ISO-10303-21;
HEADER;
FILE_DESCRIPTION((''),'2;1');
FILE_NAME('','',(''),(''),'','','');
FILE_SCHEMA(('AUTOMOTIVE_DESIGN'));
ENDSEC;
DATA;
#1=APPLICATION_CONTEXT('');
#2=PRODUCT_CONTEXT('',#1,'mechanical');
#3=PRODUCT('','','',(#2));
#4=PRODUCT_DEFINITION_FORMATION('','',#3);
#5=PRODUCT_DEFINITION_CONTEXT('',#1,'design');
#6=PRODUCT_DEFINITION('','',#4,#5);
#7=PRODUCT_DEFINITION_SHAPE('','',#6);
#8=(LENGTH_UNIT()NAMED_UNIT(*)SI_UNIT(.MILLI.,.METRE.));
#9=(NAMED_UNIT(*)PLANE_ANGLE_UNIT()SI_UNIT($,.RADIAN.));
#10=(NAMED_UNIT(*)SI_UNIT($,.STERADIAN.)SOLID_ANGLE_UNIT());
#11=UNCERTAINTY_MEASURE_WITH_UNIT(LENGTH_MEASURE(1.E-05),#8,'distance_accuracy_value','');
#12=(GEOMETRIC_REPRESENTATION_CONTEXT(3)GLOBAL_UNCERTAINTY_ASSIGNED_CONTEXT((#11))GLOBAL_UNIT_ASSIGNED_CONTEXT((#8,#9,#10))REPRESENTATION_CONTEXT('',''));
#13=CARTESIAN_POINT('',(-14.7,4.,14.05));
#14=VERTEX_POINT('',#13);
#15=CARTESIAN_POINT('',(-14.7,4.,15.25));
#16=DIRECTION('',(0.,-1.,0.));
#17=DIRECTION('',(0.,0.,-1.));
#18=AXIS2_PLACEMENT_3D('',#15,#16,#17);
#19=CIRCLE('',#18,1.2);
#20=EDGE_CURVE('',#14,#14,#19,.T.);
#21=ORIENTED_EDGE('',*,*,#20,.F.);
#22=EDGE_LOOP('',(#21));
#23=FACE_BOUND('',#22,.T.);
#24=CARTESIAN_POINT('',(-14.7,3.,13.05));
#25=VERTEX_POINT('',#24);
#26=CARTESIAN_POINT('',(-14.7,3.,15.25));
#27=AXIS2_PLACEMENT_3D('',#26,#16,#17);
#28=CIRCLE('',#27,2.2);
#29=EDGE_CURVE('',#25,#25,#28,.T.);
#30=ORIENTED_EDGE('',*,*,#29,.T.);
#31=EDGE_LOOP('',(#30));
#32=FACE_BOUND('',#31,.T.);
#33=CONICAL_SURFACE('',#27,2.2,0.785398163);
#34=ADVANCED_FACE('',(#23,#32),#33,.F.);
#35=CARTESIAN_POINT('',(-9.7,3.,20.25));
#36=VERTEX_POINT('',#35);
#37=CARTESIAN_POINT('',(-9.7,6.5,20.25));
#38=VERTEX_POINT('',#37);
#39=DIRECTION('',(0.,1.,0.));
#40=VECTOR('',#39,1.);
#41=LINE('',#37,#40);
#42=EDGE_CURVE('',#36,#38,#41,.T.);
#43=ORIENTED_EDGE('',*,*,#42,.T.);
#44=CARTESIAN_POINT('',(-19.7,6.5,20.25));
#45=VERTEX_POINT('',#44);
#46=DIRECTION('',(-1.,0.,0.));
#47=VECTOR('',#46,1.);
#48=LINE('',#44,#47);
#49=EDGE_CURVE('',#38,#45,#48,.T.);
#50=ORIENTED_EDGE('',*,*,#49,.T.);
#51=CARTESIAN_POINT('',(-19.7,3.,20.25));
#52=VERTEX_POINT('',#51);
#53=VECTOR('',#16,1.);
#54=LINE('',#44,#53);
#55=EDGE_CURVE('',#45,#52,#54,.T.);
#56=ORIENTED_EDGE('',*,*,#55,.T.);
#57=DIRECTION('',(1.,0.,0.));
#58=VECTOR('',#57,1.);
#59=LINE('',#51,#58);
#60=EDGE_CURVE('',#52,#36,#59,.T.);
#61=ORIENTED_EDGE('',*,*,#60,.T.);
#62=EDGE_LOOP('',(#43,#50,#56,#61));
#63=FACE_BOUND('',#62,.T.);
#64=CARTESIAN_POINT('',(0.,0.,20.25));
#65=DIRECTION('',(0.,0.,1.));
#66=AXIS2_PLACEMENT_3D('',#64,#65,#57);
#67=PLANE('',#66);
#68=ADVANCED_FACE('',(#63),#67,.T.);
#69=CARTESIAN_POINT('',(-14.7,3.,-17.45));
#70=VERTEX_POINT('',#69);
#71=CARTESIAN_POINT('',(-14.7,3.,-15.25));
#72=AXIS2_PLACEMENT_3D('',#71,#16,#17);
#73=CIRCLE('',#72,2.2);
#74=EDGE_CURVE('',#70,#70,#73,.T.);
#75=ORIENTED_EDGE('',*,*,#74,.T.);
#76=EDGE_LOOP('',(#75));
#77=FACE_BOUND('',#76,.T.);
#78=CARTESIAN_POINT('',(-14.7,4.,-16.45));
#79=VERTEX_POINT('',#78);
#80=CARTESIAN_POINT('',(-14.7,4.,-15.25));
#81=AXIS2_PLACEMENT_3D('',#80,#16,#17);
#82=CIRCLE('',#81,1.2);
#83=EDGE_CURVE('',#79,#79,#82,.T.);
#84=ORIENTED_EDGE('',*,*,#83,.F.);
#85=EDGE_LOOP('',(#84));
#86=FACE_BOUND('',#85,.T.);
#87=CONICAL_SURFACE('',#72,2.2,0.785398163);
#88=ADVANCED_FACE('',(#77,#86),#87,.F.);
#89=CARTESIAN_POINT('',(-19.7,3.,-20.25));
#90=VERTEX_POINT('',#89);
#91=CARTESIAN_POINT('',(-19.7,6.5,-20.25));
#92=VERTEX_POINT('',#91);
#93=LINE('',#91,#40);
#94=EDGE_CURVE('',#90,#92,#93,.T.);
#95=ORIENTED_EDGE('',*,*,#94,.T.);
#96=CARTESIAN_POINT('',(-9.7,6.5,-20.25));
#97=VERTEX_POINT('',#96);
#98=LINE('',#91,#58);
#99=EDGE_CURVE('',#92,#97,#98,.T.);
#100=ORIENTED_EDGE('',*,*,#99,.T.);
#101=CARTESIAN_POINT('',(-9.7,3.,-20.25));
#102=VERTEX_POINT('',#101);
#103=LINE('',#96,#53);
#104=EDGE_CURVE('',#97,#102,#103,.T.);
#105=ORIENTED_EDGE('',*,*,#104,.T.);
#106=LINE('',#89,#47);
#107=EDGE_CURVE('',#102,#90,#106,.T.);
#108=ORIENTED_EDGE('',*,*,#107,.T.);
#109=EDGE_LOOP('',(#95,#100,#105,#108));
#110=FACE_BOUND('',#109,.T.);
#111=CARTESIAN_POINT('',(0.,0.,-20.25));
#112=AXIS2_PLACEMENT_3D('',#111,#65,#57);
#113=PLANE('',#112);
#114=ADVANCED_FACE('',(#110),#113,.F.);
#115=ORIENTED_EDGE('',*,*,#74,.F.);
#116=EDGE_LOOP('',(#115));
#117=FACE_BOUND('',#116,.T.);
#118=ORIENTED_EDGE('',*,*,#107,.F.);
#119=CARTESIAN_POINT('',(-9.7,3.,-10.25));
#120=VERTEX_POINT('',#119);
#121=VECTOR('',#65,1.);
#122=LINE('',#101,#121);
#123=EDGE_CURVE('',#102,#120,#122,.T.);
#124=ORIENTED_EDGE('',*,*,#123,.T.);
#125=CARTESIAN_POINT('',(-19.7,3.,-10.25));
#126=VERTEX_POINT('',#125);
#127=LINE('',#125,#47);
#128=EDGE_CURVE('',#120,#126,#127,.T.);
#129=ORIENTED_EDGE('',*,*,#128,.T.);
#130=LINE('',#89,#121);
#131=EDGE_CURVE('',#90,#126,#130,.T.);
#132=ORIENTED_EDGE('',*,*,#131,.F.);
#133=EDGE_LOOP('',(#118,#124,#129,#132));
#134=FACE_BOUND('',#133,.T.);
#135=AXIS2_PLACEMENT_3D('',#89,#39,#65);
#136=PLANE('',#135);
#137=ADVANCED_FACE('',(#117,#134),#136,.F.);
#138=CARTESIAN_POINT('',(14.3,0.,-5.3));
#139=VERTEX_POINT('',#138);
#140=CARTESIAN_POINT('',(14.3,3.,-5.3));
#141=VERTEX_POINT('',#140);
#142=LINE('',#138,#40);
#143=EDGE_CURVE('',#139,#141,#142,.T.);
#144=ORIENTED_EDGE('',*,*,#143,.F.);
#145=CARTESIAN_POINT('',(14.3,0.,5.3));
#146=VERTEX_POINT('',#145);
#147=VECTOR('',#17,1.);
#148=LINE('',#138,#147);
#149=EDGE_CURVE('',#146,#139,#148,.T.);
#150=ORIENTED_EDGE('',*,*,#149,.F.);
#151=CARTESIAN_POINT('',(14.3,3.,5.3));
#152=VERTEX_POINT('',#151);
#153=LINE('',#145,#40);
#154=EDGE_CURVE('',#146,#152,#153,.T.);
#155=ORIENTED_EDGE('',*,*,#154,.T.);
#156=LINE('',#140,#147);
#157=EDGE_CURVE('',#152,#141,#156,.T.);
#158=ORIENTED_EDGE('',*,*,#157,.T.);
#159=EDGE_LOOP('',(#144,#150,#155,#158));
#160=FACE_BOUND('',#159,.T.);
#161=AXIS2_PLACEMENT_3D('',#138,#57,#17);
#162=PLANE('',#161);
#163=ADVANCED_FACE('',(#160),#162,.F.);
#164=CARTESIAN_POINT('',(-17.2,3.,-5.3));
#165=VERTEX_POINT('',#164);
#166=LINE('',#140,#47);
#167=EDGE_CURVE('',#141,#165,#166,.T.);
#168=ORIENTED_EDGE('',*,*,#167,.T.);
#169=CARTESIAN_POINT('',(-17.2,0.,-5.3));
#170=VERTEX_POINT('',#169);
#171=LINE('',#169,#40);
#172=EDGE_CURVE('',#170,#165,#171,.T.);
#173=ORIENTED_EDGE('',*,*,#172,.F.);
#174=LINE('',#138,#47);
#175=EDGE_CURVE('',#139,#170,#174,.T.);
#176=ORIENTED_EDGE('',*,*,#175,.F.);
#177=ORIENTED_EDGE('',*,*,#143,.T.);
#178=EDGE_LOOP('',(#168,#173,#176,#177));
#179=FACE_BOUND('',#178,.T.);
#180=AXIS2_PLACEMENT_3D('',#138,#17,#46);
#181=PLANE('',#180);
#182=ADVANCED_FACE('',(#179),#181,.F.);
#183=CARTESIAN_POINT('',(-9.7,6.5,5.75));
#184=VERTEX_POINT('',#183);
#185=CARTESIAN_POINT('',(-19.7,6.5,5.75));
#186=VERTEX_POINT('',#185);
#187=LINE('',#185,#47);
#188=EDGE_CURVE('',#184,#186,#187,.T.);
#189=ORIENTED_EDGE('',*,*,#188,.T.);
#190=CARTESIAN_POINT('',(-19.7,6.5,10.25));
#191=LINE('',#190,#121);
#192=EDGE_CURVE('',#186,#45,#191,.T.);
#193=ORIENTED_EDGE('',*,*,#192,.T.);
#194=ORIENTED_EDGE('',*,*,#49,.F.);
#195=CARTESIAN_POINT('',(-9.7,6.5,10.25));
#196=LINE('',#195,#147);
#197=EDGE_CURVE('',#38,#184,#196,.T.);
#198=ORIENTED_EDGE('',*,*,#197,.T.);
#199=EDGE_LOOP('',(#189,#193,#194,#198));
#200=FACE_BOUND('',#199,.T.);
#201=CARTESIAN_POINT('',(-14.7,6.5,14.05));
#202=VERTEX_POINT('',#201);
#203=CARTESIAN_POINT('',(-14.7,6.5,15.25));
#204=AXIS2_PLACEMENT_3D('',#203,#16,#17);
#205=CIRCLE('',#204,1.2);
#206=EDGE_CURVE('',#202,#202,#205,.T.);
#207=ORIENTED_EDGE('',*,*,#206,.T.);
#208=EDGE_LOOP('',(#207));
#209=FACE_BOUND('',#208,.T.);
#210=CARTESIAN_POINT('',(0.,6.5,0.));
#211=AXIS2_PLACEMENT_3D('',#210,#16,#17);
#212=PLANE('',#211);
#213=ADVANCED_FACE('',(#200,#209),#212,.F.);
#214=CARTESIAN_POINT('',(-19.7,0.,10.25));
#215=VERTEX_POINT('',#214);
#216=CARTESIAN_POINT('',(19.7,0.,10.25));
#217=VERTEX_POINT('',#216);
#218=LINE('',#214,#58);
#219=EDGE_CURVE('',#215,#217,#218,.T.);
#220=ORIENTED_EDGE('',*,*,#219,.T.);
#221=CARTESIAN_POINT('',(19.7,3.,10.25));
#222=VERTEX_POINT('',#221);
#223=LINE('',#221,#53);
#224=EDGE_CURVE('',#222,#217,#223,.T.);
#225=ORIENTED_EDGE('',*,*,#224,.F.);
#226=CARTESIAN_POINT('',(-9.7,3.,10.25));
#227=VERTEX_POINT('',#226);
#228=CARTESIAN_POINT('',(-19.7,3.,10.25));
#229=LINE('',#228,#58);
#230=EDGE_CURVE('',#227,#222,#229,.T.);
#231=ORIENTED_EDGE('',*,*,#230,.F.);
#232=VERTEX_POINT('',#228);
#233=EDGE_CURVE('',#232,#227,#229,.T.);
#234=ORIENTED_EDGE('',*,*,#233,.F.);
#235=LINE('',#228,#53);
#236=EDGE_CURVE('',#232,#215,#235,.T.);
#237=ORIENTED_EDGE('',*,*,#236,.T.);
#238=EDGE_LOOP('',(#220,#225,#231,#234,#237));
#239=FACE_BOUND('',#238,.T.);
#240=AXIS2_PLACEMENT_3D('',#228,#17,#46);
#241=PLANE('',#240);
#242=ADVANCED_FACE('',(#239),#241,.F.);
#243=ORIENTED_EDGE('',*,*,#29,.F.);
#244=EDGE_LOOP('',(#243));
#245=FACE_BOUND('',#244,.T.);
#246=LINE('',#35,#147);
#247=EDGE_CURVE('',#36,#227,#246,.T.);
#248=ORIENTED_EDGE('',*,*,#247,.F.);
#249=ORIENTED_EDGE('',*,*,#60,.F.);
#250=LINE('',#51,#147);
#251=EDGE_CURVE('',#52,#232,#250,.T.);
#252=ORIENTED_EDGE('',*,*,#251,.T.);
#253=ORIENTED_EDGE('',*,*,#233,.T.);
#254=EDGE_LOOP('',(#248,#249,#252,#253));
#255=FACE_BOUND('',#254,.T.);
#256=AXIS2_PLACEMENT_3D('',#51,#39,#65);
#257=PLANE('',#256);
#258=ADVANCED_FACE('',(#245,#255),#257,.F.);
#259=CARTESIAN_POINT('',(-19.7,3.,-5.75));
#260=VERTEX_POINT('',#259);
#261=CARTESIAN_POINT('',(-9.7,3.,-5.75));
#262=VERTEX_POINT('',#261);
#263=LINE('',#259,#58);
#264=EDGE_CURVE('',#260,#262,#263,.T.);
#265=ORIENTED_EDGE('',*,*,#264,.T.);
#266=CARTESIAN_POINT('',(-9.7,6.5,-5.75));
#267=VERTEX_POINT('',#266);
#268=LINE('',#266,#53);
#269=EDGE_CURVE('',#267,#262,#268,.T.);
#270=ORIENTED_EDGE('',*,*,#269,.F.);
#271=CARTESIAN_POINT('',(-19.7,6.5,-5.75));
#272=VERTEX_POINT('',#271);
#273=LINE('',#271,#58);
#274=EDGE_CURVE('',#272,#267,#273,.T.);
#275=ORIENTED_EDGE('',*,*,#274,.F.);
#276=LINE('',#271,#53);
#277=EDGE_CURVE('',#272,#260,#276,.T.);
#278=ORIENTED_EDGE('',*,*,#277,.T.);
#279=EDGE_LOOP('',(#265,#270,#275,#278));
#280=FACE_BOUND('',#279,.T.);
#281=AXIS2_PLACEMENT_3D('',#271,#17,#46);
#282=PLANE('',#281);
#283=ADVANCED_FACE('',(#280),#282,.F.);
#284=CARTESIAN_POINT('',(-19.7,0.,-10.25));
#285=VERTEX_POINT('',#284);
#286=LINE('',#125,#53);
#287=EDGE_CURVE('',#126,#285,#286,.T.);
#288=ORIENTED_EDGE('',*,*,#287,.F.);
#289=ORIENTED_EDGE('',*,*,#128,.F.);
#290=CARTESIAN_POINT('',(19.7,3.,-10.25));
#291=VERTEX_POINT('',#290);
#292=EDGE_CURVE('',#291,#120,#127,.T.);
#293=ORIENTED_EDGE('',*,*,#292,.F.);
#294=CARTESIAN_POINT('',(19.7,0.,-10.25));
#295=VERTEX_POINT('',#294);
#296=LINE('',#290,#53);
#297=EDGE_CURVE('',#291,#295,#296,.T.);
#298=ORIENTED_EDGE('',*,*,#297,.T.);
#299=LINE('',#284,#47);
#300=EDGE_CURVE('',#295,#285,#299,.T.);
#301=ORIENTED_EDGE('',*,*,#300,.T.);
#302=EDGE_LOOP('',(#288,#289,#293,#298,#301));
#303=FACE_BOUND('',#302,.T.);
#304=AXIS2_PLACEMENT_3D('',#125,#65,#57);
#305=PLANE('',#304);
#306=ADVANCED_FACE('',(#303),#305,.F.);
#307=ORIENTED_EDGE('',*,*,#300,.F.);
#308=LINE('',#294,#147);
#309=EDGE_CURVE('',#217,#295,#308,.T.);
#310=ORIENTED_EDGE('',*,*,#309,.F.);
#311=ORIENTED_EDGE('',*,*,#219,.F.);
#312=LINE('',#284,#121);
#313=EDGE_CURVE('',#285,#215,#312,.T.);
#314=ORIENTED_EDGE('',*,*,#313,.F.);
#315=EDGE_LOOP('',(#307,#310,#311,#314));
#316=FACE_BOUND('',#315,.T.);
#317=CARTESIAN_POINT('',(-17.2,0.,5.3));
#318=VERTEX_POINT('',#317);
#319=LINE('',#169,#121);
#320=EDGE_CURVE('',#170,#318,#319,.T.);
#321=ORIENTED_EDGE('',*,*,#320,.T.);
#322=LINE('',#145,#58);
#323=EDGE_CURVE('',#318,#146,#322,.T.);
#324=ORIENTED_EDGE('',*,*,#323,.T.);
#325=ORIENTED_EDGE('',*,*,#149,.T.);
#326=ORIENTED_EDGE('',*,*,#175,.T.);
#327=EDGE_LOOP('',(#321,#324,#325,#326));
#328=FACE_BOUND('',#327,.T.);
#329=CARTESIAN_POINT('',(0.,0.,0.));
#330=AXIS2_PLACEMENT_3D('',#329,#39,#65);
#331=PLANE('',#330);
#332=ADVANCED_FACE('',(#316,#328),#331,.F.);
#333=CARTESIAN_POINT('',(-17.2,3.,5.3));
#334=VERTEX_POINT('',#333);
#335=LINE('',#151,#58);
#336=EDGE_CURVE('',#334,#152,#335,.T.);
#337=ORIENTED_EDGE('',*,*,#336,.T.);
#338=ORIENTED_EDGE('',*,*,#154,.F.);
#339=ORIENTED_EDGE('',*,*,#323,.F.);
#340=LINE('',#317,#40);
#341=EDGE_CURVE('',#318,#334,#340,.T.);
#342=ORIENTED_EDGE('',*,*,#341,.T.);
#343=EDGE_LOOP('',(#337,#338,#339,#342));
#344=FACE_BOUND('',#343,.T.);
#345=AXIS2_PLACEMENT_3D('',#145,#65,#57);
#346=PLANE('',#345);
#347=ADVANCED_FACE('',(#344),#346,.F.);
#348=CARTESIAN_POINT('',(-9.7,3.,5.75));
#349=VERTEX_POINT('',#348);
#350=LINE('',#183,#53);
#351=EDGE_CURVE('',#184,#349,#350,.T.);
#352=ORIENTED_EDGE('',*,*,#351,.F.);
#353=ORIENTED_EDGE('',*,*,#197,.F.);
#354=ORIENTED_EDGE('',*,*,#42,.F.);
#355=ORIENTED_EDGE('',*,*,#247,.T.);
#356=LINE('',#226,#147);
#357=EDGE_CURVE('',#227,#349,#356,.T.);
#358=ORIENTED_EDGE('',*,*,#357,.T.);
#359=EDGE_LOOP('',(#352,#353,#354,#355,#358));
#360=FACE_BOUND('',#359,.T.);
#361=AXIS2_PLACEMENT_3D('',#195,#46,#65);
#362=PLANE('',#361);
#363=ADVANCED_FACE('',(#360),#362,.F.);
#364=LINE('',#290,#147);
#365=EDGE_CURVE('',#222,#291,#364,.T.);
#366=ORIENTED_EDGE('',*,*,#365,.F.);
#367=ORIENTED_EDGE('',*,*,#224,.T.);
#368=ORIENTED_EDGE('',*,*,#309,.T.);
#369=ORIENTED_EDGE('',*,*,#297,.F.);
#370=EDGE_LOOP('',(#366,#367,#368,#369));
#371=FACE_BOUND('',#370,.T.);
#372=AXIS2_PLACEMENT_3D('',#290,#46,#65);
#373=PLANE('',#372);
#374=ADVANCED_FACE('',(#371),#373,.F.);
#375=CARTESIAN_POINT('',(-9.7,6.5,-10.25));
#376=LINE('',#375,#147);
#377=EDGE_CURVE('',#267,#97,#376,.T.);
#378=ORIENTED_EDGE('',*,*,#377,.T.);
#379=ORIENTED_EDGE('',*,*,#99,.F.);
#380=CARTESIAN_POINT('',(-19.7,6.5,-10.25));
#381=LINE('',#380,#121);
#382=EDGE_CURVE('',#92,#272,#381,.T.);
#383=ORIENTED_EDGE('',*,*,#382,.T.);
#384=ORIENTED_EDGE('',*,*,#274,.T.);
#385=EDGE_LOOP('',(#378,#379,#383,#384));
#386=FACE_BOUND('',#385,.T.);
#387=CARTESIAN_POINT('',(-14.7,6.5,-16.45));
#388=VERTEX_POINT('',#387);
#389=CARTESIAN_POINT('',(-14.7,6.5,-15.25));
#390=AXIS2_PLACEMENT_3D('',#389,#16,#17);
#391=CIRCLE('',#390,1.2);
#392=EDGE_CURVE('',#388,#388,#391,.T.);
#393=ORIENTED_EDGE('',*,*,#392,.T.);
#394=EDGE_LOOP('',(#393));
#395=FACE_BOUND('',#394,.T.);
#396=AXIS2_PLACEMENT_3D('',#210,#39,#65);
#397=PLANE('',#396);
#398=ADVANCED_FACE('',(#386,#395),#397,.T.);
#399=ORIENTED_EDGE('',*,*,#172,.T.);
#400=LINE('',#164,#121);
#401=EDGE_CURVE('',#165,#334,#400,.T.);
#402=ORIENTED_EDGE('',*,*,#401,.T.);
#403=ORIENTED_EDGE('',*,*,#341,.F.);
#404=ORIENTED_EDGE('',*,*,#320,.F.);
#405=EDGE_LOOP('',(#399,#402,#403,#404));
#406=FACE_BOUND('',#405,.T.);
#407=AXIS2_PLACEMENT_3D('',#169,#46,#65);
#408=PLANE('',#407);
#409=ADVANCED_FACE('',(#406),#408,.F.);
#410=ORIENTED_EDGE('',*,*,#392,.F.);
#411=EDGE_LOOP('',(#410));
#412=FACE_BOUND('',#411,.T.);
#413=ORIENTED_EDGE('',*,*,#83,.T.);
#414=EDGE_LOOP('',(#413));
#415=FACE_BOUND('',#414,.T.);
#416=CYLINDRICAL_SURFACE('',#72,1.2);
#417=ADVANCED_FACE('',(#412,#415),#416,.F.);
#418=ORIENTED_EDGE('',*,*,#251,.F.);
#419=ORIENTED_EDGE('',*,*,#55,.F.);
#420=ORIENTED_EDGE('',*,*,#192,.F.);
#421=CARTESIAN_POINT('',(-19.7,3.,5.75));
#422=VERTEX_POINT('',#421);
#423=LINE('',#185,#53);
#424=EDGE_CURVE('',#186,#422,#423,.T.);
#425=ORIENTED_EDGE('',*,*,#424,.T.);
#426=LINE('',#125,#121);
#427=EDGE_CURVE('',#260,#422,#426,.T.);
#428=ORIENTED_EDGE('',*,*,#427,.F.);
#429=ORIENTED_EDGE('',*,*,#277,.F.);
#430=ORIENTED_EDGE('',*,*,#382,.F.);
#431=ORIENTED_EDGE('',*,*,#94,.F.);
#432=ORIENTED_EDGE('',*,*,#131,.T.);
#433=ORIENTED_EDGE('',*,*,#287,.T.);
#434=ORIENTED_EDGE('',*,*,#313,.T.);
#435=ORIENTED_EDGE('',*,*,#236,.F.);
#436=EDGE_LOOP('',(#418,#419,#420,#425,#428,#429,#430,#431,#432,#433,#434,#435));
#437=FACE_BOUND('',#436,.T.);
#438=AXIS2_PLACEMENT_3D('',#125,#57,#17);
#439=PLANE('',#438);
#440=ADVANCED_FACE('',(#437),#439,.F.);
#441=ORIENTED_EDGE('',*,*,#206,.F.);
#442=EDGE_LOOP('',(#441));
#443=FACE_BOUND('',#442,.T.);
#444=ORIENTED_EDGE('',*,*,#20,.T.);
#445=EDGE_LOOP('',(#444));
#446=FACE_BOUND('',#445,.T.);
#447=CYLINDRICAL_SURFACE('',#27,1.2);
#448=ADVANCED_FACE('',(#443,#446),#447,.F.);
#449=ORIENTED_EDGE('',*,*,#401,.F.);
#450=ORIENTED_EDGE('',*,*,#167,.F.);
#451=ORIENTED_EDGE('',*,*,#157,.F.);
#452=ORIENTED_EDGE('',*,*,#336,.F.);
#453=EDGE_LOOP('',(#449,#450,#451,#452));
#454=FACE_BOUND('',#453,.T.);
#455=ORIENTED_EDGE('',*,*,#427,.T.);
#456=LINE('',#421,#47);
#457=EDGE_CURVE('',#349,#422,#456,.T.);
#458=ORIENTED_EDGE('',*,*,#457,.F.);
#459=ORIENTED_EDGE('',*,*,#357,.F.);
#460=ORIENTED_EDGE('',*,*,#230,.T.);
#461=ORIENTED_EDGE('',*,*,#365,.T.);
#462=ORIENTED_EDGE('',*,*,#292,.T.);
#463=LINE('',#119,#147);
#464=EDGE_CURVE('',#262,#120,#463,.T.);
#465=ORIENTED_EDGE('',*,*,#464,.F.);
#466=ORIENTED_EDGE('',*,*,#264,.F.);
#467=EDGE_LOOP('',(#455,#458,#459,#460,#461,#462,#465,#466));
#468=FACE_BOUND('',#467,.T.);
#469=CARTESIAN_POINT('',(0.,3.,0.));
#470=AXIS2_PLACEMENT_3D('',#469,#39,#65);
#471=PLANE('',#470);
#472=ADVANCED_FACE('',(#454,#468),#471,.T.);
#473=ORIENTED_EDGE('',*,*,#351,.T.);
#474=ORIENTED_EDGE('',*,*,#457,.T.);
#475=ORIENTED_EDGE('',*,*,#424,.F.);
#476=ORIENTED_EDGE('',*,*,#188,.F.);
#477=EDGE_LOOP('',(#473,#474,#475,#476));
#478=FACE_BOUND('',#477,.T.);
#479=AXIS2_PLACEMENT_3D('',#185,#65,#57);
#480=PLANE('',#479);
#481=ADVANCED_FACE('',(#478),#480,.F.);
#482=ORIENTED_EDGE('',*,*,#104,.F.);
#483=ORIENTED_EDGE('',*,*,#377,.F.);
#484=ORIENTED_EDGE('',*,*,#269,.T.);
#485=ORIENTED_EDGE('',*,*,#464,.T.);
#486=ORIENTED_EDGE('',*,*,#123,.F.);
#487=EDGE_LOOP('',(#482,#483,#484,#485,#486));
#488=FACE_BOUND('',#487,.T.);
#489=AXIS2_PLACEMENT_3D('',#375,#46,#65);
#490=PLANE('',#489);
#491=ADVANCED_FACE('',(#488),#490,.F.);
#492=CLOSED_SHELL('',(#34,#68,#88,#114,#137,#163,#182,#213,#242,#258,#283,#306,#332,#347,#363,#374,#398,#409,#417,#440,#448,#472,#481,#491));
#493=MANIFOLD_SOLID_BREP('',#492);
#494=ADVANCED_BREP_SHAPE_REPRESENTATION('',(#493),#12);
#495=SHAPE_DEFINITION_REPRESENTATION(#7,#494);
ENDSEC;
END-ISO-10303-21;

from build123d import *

# Parameters (mm, degrees)
SKETCH1_W                                       = 39.4
SKETCH1_H                                       = 20.5
BOSS_EXTRUDE1_DEPTH                             = 3
SKETCH3_W                                       = 28.6
SKETCH3_H                                       = 10.6
CUT_EXTRUDE1_DEPTH                              = 3
SKETCH4_W                                       = 10
SKETCH4_H                                       = 4.5
BOSS_EXTRUDE2_DEPTH                             = 3.5
SKETCH5_W                                       = 10
SKETCH5_H                                       = 3.5
BOSS_EXTRUDE3_DEPTH                             = 10
SKETCH6_W                                       = 10
SKETCH6_H                                       = 3.5
BOSS_EXTRUDE4_DEPTH                             = 10
CSK_FOR_M2_FLAT_HEAD_MACHINE_SCREW1_D           = 2.4
CSK_FOR_M2_FLAT_HEAD_MACHINE_SCREW1_CSINK_D     = 4.4
CSK_FOR_M2_FLAT_HEAD_MACHINE_SCREW1_CSINK_ANGLE = 90
CSK_FOR_M2_FLAT_HEAD_MACHINE_SCREW2_D           = 2.4
CSK_FOR_M2_FLAT_HEAD_MACHINE_SCREW2_CSINK_D     = 4.4
CSK_FOR_M2_FLAT_HEAD_MACHINE_SCREW2_CSINK_ANGLE = 90
SKETCH16_W                                      = 2.9
SKETCH16_H                                      = 10.6
CUT_EXTRUDE2_DEPTH                              = 3


with BuildPart() as part:
    # Sketch1 → Boss-Extrude1 (new body)
    with BuildSketch(Plane(origin=(0, 0, 0), x_dir=(1, 0, 0), z_dir=(0, 1, 0))):
        Rectangle(SKETCH1_W, SKETCH1_H)
    extrude(amount=BOSS_EXTRUDE1_DEPTH)

    # Sketch3 → Cut-Extrude1 (cut)
    with BuildSketch(Plane(origin=(0, 3, 0), x_dir=(1, 0, 0), z_dir=(0, 1, 0))):
        Rectangle(SKETCH3_W, SKETCH3_H)
    extrude(amount=-CUT_EXTRUDE1_DEPTH, mode=Mode.SUBTRACT)

    # Sketch4 → Boss-Extrude2 (add)
    with BuildSketch(Plane(origin=(0, 3, 0), x_dir=(1, 0, 0), z_dir=(0, 1, 0))):
        with Locations((-14.7, 8)):
            Rectangle(SKETCH4_W, SKETCH4_H)
        with Locations((-14.7, -8)):
            Rectangle(SKETCH4_W, SKETCH4_H)
    extrude(amount=BOSS_EXTRUDE2_DEPTH)

    # Sketch5 → Boss-Extrude3 (add)
    with BuildSketch(Plane.XY.offset(10.25)):
        with Locations((-14.7, 4.75)):
            Rectangle(SKETCH5_W, SKETCH5_H)
    extrude(amount=BOSS_EXTRUDE3_DEPTH)

    # Sketch6 → Boss-Extrude4 (add)
    with BuildSketch(Plane(origin=(0, 0, -10.25), x_dir=(-1, 0, 0), z_dir=(0, 0, -1))):
        with Locations((14.7, 4.75)):
            Rectangle(SKETCH6_W, SKETCH6_H)
    extrude(amount=BOSS_EXTRUDE4_DEPTH)

    # CSK for M2 Flat Head Machine Screw1 (through all)
    with Locations(Plane(origin=(0, 3, 0), x_dir=(-1, 0, 0), z_dir=(0, -1, 0))):
        with Locations((14.7, 15.25)):
            CounterSinkHole(CSK_FOR_M2_FLAT_HEAD_MACHINE_SCREW1_D / 2, CSK_FOR_M2_FLAT_HEAD_MACHINE_SCREW1_CSINK_D / 2, counter_sink_angle=CSK_FOR_M2_FLAT_HEAD_MACHINE_SCREW1_CSINK_ANGLE)

    # CSK for M2 Flat Head Machine Screw2 (through all)
    with Locations(Plane(origin=(0, 3, 0), x_dir=(-1, 0, 0), z_dir=(0, -1, 0))):
        with Locations((14.7, -15.25)):
            CounterSinkHole(CSK_FOR_M2_FLAT_HEAD_MACHINE_SCREW2_D / 2, CSK_FOR_M2_FLAT_HEAD_MACHINE_SCREW2_CSINK_D / 2, counter_sink_angle=CSK_FOR_M2_FLAT_HEAD_MACHINE_SCREW2_CSINK_ANGLE)

    # Sketch16 → Cut-Extrude2 (cut)
    with BuildSketch(Plane(origin=(0, 3, 0), x_dir=(1, 0, 0), z_dir=(0, 1, 0))):
        with Locations((-15.75, 0)):
            Rectangle(SKETCH16_W, SKETCH16_H)
    extrude(amount=-CUT_EXTRUDE2_DEPTH, mode=Mode.SUBTRACT)


solid = part.part
